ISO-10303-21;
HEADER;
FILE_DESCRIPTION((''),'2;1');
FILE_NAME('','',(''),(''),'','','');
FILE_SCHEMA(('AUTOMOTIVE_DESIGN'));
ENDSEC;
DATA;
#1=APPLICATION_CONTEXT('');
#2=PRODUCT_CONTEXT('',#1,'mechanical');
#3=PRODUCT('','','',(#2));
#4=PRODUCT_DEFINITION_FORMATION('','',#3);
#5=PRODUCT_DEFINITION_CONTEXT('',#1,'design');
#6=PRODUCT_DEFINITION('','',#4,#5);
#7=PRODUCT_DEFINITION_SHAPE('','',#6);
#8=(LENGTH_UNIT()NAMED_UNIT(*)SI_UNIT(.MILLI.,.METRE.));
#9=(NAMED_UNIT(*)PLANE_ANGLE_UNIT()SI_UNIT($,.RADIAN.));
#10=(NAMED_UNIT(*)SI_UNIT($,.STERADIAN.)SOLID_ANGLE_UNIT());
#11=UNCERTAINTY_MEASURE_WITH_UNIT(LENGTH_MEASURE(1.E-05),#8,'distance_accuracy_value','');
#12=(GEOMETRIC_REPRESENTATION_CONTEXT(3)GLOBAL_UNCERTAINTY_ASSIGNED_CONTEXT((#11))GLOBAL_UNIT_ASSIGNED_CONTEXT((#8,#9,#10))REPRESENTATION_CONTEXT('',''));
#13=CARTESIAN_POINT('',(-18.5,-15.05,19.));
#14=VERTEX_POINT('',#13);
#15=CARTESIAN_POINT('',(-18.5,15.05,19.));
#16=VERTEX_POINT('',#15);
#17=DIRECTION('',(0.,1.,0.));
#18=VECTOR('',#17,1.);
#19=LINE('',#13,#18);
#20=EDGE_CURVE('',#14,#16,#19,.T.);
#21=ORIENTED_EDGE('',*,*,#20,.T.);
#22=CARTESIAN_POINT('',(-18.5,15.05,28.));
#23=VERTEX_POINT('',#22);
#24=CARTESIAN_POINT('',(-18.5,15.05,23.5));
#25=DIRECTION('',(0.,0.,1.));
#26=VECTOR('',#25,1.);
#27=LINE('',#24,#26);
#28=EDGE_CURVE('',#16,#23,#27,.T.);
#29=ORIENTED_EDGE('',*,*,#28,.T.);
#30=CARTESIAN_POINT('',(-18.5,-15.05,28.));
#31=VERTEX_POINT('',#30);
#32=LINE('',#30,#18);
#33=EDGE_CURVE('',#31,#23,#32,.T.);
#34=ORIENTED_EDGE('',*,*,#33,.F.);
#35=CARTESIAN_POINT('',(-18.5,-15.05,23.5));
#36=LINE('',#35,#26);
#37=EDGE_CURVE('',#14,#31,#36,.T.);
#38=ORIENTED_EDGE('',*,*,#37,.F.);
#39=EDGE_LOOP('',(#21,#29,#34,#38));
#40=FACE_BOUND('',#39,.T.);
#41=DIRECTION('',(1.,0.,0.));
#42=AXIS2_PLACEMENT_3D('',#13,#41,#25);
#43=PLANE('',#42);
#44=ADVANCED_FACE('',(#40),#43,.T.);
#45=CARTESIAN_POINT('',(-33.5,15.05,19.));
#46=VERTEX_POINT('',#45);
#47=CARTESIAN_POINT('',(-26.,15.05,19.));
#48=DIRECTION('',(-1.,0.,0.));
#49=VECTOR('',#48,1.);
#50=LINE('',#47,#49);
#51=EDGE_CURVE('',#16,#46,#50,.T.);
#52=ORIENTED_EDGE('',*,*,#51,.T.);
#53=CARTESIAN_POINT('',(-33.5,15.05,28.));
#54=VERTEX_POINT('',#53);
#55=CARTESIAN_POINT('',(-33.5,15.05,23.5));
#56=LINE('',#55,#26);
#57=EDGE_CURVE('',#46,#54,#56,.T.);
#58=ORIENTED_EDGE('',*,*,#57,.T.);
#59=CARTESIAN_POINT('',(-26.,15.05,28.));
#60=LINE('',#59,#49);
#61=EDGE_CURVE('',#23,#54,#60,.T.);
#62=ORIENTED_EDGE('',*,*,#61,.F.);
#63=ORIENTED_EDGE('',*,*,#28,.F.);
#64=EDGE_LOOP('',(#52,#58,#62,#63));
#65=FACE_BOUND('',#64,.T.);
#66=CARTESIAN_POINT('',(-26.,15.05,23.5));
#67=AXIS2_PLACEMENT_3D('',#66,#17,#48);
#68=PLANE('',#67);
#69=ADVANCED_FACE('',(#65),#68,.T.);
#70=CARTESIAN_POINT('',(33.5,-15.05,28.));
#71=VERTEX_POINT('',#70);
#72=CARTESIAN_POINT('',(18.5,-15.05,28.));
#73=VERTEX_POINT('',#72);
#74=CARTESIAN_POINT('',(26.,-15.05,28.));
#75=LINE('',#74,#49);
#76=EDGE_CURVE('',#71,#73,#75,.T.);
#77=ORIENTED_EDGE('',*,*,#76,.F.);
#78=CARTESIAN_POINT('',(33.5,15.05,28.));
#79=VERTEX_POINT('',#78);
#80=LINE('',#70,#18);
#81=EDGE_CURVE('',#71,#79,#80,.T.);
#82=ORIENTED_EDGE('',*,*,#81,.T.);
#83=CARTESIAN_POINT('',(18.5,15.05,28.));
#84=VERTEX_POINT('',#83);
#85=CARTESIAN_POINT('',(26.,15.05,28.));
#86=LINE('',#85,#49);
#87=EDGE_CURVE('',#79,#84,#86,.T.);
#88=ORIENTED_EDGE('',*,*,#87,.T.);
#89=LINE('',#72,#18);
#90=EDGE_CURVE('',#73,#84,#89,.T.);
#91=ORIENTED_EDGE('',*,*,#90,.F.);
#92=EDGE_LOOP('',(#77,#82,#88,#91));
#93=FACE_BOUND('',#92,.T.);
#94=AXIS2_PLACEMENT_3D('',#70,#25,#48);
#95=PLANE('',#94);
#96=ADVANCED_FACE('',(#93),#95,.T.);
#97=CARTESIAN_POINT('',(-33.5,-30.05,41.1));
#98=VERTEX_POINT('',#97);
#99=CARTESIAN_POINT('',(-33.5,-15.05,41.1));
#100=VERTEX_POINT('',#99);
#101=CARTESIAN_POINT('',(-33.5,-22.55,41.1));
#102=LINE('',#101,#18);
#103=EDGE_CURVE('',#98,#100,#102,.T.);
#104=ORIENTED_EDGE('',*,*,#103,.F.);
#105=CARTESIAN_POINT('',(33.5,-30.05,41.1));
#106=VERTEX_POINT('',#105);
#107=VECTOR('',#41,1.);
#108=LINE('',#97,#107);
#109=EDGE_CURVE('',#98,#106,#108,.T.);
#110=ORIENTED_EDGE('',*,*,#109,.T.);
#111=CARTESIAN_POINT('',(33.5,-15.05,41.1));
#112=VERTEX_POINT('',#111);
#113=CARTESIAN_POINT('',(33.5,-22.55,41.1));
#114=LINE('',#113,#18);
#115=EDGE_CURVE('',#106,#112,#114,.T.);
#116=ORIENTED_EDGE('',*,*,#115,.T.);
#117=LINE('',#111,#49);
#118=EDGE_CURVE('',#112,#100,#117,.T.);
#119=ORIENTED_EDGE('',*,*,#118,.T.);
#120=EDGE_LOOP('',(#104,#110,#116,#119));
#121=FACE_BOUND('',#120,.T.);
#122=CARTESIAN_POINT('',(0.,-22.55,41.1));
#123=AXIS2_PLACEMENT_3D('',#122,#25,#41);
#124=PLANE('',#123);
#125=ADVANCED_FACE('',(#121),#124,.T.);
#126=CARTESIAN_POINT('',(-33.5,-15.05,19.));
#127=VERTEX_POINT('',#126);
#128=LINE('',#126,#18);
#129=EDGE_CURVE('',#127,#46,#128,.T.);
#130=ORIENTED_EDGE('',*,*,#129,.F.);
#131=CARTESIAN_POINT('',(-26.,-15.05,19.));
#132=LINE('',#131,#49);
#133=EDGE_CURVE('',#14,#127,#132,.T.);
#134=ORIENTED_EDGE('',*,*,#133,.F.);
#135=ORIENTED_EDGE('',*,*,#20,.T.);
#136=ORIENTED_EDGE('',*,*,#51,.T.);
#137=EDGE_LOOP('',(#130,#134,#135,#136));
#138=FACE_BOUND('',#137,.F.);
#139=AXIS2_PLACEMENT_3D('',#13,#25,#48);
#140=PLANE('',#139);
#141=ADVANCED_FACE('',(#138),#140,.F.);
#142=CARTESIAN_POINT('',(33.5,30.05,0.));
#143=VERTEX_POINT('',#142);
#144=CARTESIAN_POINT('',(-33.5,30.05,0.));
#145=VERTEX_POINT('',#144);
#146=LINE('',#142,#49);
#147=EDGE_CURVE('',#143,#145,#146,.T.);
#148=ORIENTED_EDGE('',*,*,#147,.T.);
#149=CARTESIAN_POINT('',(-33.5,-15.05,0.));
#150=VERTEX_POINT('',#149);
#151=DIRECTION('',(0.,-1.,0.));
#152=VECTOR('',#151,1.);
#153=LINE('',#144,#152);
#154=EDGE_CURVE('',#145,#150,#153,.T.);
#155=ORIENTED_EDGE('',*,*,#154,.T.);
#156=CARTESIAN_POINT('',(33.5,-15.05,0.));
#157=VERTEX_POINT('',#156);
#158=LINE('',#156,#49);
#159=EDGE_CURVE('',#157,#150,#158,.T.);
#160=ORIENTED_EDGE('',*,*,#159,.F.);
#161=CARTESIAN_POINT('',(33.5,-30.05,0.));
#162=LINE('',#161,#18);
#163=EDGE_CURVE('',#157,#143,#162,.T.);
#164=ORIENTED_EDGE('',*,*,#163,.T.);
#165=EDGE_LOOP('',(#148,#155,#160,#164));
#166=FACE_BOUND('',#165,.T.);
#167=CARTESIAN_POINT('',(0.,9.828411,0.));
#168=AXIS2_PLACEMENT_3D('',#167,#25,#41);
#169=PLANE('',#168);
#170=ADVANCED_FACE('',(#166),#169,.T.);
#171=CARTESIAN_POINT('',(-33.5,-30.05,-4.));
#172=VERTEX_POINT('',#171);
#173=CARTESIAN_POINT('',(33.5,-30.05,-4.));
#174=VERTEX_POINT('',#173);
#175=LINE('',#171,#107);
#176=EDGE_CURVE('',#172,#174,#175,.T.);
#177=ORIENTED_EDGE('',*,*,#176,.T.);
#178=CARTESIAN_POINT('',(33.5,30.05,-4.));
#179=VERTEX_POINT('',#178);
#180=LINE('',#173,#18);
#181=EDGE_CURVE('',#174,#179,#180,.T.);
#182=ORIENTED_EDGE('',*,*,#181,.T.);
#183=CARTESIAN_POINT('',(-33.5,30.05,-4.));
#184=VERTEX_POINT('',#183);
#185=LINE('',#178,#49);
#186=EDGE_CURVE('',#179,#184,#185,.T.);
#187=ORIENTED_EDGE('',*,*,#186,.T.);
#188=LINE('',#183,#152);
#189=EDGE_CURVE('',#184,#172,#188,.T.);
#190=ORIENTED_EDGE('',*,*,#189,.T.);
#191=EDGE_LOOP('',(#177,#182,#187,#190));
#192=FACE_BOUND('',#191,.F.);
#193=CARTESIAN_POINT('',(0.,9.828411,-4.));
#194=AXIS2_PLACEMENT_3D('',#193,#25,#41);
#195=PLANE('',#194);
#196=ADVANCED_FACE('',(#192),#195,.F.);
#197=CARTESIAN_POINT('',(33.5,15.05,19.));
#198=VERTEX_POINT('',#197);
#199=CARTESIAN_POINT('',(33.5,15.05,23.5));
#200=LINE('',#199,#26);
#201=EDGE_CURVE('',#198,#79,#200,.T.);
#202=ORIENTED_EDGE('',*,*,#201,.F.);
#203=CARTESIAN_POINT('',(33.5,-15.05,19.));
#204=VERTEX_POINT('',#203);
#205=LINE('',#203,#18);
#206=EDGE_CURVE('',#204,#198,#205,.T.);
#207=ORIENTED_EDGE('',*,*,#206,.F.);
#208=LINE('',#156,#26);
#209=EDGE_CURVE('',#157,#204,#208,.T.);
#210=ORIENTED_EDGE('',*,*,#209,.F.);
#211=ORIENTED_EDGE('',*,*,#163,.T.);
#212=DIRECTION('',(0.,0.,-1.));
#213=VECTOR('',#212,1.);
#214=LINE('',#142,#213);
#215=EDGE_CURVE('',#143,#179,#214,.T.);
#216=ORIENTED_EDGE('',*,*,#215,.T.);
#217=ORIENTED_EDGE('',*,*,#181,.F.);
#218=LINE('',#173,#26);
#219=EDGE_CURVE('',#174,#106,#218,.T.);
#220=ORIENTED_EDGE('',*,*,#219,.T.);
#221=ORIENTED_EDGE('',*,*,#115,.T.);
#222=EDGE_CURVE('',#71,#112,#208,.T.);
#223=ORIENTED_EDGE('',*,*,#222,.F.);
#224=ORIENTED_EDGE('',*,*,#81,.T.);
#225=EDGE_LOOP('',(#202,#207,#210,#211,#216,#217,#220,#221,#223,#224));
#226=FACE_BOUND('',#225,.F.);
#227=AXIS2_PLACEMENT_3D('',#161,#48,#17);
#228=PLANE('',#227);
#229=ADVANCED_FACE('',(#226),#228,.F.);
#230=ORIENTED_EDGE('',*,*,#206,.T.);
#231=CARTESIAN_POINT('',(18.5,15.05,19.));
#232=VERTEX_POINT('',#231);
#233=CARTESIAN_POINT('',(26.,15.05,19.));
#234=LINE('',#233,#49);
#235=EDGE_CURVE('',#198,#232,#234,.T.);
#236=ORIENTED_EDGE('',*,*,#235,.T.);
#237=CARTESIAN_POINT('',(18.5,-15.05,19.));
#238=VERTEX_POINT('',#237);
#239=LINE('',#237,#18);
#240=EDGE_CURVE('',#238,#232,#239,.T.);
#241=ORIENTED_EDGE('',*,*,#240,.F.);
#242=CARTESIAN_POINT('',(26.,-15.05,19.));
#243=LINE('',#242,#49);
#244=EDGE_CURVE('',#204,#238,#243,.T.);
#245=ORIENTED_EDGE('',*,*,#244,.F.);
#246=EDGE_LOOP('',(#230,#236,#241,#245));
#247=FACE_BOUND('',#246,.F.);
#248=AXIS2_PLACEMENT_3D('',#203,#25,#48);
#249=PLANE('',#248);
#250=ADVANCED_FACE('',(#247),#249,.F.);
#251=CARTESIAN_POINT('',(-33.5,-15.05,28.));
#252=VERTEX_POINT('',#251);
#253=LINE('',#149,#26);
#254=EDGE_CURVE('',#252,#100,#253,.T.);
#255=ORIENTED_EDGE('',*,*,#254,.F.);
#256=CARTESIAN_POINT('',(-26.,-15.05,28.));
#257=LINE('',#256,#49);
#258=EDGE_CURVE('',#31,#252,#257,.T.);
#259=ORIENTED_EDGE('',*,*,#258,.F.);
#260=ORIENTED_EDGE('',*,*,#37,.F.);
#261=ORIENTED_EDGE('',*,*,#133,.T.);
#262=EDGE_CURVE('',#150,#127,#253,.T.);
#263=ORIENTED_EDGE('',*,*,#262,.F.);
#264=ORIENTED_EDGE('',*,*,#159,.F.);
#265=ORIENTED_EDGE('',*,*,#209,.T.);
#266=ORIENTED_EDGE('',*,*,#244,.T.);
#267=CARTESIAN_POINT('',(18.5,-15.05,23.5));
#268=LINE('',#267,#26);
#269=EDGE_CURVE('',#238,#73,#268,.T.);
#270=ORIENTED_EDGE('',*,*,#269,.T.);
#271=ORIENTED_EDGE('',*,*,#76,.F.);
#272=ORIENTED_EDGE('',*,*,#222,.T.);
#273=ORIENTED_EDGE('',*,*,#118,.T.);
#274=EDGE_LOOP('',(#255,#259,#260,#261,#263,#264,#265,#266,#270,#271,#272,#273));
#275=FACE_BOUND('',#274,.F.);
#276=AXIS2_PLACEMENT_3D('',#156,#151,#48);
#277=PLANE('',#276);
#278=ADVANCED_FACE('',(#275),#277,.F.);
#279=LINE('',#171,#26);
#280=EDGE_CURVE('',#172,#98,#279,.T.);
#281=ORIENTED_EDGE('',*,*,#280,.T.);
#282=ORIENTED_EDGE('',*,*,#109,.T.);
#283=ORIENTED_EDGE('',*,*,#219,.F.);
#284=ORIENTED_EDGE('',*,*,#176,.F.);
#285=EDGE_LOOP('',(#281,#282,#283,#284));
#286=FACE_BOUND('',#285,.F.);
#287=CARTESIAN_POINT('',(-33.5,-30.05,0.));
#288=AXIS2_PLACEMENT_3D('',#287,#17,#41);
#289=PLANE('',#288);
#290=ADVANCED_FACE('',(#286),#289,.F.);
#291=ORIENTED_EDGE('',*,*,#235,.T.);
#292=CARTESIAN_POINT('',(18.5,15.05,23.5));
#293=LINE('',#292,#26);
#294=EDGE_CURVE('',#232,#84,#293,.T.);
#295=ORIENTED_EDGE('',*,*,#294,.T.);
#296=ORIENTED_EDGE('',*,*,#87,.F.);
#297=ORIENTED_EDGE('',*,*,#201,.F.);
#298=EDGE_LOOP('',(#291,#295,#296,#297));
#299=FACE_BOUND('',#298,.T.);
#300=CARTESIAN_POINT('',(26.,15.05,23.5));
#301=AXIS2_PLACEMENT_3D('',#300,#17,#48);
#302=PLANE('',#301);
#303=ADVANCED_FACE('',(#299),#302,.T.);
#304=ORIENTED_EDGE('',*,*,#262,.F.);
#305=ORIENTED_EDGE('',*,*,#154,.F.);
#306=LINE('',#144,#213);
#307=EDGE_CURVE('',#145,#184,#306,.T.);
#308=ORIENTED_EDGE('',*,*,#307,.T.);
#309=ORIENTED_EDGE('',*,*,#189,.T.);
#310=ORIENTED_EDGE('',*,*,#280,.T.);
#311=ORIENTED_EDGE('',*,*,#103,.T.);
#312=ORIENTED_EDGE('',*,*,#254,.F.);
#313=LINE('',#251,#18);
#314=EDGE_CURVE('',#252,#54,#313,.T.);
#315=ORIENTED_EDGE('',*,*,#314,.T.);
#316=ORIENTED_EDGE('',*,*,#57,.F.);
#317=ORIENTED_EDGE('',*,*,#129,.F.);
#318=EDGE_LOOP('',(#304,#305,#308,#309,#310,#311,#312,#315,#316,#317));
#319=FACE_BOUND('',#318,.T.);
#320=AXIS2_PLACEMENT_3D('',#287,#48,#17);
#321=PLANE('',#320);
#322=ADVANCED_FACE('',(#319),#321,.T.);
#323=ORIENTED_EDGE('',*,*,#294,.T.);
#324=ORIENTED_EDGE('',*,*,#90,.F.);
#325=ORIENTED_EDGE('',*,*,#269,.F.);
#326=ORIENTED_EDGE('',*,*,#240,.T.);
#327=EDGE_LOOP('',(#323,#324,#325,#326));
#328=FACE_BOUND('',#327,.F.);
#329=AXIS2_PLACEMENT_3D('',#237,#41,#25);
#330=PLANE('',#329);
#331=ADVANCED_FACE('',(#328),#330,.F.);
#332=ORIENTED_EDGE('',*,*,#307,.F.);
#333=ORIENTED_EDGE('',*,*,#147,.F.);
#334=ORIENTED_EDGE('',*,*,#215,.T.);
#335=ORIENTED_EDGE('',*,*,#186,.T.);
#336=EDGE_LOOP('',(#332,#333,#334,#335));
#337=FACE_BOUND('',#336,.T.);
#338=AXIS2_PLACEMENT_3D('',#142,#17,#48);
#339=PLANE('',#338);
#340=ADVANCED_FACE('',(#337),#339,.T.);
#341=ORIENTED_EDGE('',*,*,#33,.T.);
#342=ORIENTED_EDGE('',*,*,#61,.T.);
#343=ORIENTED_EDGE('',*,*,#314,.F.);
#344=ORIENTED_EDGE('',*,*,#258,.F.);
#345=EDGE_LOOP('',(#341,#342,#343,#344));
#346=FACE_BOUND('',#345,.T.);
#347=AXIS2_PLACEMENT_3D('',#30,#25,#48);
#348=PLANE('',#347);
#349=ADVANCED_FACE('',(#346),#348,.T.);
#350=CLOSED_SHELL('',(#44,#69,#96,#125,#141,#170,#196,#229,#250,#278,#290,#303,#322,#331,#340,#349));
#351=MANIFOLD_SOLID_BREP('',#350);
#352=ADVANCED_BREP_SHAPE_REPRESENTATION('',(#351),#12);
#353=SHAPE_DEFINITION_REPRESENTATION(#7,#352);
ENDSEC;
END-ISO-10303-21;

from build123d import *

# Parameters (mm, degrees)
F0_W     = 37
F0_H     = 30.1
F0_H_2   = 15
F0_W_2   = 15
F1_DEPTH = 4
F2_DEPTH = 41.1
F3_W     = 15
F3_H     = 9
F4_DEPTH = 30.1


with BuildPart() as f1:
    # F0 (on Top) → F1 (new body)
    with BuildSketch(Plane.XY):
        Polygon((33.5, -15.05), (33.5, 30.05), (-33.5, 30.05), (-33.5, -15.05), (-18.5, -15.05), (-18.5, 15.05), (18.5, 15.05), (18.5, -15.05), align=None)
        Rectangle(F0_W, F0_H)
        with Locations((0, -22.55)):
            Rectangle(F0_W, F0_H_2)
        with Locations((-26, -22.55)):
            Rectangle(F0_W_2, F0_H_2)
        with Locations((26, -22.55)):
            Rectangle(F0_W_2, F0_H_2)
    extrude(amount=-F1_DEPTH)

    # F0 (on Top) → F2 (join)
    with BuildSketch(Plane.XY):
        with Locations((0, -22.55)):
            Rectangle(F0_W, F0_H_2)
        with Locations((-26, -22.55)):
            Rectangle(F0_W_2, F0_H_2)
        with Locations((26, -22.55)):
            Rectangle(F0_W_2, F0_H_2)
    extrude(amount=F2_DEPTH)

    # F3 (on face) → F4 (join)
    with BuildSketch(Plane(origin=(0, -15.05, 0), x_dir=(-1, 0, 0), z_dir=(0, 1, 0))):
        with Locations((26, 23.5)):
            Rectangle(F3_W, F3_H)
        with Locations((-26, 23.5)):
            Rectangle(F3_W, F3_H)
    extrude(amount=F4_DEPTH)


solid = f1.part
